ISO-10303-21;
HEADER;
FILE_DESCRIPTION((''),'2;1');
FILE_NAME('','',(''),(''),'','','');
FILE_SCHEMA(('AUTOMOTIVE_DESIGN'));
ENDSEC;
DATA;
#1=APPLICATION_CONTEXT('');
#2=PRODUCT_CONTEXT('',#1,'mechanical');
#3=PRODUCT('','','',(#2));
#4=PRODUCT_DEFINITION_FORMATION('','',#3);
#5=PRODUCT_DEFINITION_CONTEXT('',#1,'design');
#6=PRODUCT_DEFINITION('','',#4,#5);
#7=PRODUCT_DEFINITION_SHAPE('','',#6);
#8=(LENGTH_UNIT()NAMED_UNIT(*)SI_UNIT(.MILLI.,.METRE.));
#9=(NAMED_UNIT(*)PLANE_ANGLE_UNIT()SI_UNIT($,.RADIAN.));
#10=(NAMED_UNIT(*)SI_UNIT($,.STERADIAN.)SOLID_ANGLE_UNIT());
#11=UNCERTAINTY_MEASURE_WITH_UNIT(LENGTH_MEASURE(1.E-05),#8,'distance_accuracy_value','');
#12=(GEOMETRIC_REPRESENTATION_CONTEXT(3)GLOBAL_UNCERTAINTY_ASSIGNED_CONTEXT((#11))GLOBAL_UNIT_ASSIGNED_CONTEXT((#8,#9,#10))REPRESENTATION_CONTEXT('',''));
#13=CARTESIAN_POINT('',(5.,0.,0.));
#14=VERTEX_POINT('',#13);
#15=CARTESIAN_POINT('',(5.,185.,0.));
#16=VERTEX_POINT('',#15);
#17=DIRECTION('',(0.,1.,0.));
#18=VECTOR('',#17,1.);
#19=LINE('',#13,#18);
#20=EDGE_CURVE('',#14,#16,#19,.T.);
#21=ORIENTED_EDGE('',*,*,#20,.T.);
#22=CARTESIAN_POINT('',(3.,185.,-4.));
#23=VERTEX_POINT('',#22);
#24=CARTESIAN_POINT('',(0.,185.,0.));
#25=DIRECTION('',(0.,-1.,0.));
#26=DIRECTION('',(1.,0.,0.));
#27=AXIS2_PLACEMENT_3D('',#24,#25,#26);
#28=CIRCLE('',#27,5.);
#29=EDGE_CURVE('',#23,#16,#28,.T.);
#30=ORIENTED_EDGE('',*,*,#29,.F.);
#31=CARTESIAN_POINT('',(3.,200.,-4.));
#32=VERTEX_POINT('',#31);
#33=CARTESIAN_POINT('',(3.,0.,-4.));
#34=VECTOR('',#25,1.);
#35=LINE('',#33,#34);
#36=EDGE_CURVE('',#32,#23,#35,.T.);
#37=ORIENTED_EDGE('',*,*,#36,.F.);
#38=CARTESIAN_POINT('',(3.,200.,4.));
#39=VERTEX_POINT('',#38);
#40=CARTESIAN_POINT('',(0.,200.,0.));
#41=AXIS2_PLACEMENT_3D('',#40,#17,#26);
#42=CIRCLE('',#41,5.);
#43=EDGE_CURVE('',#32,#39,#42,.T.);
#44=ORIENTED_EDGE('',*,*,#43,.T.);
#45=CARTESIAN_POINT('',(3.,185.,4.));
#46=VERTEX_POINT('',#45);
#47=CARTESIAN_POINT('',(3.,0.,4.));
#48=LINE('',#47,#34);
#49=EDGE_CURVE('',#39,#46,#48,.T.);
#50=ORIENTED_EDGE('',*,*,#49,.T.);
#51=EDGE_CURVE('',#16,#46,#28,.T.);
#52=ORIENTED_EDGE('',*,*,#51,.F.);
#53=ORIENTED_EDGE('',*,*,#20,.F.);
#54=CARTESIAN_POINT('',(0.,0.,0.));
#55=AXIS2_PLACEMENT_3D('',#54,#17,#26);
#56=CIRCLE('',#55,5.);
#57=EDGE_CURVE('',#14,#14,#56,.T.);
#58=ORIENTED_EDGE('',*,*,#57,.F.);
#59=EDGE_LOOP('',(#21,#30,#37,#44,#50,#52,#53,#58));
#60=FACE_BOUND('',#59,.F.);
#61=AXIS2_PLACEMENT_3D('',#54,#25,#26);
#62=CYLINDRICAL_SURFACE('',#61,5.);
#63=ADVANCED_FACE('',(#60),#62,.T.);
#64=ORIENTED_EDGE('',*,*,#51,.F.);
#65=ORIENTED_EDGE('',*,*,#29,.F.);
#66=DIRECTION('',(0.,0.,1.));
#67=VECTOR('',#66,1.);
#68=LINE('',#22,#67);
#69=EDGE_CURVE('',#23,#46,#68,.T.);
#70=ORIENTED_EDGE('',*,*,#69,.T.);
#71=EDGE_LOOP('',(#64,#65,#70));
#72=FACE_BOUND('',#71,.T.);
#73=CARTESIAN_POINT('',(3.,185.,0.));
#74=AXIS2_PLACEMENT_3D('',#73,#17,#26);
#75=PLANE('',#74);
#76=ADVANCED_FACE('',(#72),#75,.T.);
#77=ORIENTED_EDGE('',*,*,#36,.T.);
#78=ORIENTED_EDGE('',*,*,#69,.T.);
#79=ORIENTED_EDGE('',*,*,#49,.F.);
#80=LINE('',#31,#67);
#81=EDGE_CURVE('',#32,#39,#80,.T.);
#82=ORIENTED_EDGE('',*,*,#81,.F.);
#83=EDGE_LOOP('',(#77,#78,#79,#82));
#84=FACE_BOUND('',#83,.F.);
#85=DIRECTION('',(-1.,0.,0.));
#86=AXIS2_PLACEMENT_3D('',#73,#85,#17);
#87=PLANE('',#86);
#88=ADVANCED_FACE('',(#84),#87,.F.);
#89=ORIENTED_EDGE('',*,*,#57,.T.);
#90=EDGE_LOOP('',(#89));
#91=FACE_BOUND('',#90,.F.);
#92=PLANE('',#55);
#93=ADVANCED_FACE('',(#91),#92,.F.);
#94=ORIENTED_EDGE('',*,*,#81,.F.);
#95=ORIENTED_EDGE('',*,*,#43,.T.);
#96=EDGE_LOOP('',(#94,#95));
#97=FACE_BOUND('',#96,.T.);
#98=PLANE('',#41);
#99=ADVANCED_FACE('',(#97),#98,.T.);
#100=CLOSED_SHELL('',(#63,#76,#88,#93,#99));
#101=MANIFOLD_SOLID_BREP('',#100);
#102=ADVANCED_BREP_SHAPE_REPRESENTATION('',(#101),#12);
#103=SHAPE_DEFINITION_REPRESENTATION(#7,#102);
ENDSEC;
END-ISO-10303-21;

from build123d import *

# Parameters (mm, degrees)
SKETCH1_R       = 5
ROD_DEPTH       = 200
SKETCH2_W       = 2
SKETCH2_H       = 16.134958609
SLOT_DEPTH      = 6
SLOT_DEPTH_BACK = 6


with BuildPart() as part:
    # Sketch1 → Rod (new body)
    with BuildSketch(Plane(origin=(0, 0, 0), x_dir=(1, 0, 0), z_dir=(0, 1, 0))):
        Circle(SKETCH1_R)
    extrude(amount=ROD_DEPTH)

    # Sketch2 → Slot (cut, two sides)
    with BuildSketch(Plane.XY) as slot_sk:
        with Locations((4, 193.067479305)):
            Rectangle(SKETCH2_W, SKETCH2_H)
    extrude(amount=SLOT_DEPTH, mode=Mode.SUBTRACT)
    extrude(slot_sk.sketch, amount=-SLOT_DEPTH_BACK, mode=Mode.SUBTRACT)


solid = part.part
